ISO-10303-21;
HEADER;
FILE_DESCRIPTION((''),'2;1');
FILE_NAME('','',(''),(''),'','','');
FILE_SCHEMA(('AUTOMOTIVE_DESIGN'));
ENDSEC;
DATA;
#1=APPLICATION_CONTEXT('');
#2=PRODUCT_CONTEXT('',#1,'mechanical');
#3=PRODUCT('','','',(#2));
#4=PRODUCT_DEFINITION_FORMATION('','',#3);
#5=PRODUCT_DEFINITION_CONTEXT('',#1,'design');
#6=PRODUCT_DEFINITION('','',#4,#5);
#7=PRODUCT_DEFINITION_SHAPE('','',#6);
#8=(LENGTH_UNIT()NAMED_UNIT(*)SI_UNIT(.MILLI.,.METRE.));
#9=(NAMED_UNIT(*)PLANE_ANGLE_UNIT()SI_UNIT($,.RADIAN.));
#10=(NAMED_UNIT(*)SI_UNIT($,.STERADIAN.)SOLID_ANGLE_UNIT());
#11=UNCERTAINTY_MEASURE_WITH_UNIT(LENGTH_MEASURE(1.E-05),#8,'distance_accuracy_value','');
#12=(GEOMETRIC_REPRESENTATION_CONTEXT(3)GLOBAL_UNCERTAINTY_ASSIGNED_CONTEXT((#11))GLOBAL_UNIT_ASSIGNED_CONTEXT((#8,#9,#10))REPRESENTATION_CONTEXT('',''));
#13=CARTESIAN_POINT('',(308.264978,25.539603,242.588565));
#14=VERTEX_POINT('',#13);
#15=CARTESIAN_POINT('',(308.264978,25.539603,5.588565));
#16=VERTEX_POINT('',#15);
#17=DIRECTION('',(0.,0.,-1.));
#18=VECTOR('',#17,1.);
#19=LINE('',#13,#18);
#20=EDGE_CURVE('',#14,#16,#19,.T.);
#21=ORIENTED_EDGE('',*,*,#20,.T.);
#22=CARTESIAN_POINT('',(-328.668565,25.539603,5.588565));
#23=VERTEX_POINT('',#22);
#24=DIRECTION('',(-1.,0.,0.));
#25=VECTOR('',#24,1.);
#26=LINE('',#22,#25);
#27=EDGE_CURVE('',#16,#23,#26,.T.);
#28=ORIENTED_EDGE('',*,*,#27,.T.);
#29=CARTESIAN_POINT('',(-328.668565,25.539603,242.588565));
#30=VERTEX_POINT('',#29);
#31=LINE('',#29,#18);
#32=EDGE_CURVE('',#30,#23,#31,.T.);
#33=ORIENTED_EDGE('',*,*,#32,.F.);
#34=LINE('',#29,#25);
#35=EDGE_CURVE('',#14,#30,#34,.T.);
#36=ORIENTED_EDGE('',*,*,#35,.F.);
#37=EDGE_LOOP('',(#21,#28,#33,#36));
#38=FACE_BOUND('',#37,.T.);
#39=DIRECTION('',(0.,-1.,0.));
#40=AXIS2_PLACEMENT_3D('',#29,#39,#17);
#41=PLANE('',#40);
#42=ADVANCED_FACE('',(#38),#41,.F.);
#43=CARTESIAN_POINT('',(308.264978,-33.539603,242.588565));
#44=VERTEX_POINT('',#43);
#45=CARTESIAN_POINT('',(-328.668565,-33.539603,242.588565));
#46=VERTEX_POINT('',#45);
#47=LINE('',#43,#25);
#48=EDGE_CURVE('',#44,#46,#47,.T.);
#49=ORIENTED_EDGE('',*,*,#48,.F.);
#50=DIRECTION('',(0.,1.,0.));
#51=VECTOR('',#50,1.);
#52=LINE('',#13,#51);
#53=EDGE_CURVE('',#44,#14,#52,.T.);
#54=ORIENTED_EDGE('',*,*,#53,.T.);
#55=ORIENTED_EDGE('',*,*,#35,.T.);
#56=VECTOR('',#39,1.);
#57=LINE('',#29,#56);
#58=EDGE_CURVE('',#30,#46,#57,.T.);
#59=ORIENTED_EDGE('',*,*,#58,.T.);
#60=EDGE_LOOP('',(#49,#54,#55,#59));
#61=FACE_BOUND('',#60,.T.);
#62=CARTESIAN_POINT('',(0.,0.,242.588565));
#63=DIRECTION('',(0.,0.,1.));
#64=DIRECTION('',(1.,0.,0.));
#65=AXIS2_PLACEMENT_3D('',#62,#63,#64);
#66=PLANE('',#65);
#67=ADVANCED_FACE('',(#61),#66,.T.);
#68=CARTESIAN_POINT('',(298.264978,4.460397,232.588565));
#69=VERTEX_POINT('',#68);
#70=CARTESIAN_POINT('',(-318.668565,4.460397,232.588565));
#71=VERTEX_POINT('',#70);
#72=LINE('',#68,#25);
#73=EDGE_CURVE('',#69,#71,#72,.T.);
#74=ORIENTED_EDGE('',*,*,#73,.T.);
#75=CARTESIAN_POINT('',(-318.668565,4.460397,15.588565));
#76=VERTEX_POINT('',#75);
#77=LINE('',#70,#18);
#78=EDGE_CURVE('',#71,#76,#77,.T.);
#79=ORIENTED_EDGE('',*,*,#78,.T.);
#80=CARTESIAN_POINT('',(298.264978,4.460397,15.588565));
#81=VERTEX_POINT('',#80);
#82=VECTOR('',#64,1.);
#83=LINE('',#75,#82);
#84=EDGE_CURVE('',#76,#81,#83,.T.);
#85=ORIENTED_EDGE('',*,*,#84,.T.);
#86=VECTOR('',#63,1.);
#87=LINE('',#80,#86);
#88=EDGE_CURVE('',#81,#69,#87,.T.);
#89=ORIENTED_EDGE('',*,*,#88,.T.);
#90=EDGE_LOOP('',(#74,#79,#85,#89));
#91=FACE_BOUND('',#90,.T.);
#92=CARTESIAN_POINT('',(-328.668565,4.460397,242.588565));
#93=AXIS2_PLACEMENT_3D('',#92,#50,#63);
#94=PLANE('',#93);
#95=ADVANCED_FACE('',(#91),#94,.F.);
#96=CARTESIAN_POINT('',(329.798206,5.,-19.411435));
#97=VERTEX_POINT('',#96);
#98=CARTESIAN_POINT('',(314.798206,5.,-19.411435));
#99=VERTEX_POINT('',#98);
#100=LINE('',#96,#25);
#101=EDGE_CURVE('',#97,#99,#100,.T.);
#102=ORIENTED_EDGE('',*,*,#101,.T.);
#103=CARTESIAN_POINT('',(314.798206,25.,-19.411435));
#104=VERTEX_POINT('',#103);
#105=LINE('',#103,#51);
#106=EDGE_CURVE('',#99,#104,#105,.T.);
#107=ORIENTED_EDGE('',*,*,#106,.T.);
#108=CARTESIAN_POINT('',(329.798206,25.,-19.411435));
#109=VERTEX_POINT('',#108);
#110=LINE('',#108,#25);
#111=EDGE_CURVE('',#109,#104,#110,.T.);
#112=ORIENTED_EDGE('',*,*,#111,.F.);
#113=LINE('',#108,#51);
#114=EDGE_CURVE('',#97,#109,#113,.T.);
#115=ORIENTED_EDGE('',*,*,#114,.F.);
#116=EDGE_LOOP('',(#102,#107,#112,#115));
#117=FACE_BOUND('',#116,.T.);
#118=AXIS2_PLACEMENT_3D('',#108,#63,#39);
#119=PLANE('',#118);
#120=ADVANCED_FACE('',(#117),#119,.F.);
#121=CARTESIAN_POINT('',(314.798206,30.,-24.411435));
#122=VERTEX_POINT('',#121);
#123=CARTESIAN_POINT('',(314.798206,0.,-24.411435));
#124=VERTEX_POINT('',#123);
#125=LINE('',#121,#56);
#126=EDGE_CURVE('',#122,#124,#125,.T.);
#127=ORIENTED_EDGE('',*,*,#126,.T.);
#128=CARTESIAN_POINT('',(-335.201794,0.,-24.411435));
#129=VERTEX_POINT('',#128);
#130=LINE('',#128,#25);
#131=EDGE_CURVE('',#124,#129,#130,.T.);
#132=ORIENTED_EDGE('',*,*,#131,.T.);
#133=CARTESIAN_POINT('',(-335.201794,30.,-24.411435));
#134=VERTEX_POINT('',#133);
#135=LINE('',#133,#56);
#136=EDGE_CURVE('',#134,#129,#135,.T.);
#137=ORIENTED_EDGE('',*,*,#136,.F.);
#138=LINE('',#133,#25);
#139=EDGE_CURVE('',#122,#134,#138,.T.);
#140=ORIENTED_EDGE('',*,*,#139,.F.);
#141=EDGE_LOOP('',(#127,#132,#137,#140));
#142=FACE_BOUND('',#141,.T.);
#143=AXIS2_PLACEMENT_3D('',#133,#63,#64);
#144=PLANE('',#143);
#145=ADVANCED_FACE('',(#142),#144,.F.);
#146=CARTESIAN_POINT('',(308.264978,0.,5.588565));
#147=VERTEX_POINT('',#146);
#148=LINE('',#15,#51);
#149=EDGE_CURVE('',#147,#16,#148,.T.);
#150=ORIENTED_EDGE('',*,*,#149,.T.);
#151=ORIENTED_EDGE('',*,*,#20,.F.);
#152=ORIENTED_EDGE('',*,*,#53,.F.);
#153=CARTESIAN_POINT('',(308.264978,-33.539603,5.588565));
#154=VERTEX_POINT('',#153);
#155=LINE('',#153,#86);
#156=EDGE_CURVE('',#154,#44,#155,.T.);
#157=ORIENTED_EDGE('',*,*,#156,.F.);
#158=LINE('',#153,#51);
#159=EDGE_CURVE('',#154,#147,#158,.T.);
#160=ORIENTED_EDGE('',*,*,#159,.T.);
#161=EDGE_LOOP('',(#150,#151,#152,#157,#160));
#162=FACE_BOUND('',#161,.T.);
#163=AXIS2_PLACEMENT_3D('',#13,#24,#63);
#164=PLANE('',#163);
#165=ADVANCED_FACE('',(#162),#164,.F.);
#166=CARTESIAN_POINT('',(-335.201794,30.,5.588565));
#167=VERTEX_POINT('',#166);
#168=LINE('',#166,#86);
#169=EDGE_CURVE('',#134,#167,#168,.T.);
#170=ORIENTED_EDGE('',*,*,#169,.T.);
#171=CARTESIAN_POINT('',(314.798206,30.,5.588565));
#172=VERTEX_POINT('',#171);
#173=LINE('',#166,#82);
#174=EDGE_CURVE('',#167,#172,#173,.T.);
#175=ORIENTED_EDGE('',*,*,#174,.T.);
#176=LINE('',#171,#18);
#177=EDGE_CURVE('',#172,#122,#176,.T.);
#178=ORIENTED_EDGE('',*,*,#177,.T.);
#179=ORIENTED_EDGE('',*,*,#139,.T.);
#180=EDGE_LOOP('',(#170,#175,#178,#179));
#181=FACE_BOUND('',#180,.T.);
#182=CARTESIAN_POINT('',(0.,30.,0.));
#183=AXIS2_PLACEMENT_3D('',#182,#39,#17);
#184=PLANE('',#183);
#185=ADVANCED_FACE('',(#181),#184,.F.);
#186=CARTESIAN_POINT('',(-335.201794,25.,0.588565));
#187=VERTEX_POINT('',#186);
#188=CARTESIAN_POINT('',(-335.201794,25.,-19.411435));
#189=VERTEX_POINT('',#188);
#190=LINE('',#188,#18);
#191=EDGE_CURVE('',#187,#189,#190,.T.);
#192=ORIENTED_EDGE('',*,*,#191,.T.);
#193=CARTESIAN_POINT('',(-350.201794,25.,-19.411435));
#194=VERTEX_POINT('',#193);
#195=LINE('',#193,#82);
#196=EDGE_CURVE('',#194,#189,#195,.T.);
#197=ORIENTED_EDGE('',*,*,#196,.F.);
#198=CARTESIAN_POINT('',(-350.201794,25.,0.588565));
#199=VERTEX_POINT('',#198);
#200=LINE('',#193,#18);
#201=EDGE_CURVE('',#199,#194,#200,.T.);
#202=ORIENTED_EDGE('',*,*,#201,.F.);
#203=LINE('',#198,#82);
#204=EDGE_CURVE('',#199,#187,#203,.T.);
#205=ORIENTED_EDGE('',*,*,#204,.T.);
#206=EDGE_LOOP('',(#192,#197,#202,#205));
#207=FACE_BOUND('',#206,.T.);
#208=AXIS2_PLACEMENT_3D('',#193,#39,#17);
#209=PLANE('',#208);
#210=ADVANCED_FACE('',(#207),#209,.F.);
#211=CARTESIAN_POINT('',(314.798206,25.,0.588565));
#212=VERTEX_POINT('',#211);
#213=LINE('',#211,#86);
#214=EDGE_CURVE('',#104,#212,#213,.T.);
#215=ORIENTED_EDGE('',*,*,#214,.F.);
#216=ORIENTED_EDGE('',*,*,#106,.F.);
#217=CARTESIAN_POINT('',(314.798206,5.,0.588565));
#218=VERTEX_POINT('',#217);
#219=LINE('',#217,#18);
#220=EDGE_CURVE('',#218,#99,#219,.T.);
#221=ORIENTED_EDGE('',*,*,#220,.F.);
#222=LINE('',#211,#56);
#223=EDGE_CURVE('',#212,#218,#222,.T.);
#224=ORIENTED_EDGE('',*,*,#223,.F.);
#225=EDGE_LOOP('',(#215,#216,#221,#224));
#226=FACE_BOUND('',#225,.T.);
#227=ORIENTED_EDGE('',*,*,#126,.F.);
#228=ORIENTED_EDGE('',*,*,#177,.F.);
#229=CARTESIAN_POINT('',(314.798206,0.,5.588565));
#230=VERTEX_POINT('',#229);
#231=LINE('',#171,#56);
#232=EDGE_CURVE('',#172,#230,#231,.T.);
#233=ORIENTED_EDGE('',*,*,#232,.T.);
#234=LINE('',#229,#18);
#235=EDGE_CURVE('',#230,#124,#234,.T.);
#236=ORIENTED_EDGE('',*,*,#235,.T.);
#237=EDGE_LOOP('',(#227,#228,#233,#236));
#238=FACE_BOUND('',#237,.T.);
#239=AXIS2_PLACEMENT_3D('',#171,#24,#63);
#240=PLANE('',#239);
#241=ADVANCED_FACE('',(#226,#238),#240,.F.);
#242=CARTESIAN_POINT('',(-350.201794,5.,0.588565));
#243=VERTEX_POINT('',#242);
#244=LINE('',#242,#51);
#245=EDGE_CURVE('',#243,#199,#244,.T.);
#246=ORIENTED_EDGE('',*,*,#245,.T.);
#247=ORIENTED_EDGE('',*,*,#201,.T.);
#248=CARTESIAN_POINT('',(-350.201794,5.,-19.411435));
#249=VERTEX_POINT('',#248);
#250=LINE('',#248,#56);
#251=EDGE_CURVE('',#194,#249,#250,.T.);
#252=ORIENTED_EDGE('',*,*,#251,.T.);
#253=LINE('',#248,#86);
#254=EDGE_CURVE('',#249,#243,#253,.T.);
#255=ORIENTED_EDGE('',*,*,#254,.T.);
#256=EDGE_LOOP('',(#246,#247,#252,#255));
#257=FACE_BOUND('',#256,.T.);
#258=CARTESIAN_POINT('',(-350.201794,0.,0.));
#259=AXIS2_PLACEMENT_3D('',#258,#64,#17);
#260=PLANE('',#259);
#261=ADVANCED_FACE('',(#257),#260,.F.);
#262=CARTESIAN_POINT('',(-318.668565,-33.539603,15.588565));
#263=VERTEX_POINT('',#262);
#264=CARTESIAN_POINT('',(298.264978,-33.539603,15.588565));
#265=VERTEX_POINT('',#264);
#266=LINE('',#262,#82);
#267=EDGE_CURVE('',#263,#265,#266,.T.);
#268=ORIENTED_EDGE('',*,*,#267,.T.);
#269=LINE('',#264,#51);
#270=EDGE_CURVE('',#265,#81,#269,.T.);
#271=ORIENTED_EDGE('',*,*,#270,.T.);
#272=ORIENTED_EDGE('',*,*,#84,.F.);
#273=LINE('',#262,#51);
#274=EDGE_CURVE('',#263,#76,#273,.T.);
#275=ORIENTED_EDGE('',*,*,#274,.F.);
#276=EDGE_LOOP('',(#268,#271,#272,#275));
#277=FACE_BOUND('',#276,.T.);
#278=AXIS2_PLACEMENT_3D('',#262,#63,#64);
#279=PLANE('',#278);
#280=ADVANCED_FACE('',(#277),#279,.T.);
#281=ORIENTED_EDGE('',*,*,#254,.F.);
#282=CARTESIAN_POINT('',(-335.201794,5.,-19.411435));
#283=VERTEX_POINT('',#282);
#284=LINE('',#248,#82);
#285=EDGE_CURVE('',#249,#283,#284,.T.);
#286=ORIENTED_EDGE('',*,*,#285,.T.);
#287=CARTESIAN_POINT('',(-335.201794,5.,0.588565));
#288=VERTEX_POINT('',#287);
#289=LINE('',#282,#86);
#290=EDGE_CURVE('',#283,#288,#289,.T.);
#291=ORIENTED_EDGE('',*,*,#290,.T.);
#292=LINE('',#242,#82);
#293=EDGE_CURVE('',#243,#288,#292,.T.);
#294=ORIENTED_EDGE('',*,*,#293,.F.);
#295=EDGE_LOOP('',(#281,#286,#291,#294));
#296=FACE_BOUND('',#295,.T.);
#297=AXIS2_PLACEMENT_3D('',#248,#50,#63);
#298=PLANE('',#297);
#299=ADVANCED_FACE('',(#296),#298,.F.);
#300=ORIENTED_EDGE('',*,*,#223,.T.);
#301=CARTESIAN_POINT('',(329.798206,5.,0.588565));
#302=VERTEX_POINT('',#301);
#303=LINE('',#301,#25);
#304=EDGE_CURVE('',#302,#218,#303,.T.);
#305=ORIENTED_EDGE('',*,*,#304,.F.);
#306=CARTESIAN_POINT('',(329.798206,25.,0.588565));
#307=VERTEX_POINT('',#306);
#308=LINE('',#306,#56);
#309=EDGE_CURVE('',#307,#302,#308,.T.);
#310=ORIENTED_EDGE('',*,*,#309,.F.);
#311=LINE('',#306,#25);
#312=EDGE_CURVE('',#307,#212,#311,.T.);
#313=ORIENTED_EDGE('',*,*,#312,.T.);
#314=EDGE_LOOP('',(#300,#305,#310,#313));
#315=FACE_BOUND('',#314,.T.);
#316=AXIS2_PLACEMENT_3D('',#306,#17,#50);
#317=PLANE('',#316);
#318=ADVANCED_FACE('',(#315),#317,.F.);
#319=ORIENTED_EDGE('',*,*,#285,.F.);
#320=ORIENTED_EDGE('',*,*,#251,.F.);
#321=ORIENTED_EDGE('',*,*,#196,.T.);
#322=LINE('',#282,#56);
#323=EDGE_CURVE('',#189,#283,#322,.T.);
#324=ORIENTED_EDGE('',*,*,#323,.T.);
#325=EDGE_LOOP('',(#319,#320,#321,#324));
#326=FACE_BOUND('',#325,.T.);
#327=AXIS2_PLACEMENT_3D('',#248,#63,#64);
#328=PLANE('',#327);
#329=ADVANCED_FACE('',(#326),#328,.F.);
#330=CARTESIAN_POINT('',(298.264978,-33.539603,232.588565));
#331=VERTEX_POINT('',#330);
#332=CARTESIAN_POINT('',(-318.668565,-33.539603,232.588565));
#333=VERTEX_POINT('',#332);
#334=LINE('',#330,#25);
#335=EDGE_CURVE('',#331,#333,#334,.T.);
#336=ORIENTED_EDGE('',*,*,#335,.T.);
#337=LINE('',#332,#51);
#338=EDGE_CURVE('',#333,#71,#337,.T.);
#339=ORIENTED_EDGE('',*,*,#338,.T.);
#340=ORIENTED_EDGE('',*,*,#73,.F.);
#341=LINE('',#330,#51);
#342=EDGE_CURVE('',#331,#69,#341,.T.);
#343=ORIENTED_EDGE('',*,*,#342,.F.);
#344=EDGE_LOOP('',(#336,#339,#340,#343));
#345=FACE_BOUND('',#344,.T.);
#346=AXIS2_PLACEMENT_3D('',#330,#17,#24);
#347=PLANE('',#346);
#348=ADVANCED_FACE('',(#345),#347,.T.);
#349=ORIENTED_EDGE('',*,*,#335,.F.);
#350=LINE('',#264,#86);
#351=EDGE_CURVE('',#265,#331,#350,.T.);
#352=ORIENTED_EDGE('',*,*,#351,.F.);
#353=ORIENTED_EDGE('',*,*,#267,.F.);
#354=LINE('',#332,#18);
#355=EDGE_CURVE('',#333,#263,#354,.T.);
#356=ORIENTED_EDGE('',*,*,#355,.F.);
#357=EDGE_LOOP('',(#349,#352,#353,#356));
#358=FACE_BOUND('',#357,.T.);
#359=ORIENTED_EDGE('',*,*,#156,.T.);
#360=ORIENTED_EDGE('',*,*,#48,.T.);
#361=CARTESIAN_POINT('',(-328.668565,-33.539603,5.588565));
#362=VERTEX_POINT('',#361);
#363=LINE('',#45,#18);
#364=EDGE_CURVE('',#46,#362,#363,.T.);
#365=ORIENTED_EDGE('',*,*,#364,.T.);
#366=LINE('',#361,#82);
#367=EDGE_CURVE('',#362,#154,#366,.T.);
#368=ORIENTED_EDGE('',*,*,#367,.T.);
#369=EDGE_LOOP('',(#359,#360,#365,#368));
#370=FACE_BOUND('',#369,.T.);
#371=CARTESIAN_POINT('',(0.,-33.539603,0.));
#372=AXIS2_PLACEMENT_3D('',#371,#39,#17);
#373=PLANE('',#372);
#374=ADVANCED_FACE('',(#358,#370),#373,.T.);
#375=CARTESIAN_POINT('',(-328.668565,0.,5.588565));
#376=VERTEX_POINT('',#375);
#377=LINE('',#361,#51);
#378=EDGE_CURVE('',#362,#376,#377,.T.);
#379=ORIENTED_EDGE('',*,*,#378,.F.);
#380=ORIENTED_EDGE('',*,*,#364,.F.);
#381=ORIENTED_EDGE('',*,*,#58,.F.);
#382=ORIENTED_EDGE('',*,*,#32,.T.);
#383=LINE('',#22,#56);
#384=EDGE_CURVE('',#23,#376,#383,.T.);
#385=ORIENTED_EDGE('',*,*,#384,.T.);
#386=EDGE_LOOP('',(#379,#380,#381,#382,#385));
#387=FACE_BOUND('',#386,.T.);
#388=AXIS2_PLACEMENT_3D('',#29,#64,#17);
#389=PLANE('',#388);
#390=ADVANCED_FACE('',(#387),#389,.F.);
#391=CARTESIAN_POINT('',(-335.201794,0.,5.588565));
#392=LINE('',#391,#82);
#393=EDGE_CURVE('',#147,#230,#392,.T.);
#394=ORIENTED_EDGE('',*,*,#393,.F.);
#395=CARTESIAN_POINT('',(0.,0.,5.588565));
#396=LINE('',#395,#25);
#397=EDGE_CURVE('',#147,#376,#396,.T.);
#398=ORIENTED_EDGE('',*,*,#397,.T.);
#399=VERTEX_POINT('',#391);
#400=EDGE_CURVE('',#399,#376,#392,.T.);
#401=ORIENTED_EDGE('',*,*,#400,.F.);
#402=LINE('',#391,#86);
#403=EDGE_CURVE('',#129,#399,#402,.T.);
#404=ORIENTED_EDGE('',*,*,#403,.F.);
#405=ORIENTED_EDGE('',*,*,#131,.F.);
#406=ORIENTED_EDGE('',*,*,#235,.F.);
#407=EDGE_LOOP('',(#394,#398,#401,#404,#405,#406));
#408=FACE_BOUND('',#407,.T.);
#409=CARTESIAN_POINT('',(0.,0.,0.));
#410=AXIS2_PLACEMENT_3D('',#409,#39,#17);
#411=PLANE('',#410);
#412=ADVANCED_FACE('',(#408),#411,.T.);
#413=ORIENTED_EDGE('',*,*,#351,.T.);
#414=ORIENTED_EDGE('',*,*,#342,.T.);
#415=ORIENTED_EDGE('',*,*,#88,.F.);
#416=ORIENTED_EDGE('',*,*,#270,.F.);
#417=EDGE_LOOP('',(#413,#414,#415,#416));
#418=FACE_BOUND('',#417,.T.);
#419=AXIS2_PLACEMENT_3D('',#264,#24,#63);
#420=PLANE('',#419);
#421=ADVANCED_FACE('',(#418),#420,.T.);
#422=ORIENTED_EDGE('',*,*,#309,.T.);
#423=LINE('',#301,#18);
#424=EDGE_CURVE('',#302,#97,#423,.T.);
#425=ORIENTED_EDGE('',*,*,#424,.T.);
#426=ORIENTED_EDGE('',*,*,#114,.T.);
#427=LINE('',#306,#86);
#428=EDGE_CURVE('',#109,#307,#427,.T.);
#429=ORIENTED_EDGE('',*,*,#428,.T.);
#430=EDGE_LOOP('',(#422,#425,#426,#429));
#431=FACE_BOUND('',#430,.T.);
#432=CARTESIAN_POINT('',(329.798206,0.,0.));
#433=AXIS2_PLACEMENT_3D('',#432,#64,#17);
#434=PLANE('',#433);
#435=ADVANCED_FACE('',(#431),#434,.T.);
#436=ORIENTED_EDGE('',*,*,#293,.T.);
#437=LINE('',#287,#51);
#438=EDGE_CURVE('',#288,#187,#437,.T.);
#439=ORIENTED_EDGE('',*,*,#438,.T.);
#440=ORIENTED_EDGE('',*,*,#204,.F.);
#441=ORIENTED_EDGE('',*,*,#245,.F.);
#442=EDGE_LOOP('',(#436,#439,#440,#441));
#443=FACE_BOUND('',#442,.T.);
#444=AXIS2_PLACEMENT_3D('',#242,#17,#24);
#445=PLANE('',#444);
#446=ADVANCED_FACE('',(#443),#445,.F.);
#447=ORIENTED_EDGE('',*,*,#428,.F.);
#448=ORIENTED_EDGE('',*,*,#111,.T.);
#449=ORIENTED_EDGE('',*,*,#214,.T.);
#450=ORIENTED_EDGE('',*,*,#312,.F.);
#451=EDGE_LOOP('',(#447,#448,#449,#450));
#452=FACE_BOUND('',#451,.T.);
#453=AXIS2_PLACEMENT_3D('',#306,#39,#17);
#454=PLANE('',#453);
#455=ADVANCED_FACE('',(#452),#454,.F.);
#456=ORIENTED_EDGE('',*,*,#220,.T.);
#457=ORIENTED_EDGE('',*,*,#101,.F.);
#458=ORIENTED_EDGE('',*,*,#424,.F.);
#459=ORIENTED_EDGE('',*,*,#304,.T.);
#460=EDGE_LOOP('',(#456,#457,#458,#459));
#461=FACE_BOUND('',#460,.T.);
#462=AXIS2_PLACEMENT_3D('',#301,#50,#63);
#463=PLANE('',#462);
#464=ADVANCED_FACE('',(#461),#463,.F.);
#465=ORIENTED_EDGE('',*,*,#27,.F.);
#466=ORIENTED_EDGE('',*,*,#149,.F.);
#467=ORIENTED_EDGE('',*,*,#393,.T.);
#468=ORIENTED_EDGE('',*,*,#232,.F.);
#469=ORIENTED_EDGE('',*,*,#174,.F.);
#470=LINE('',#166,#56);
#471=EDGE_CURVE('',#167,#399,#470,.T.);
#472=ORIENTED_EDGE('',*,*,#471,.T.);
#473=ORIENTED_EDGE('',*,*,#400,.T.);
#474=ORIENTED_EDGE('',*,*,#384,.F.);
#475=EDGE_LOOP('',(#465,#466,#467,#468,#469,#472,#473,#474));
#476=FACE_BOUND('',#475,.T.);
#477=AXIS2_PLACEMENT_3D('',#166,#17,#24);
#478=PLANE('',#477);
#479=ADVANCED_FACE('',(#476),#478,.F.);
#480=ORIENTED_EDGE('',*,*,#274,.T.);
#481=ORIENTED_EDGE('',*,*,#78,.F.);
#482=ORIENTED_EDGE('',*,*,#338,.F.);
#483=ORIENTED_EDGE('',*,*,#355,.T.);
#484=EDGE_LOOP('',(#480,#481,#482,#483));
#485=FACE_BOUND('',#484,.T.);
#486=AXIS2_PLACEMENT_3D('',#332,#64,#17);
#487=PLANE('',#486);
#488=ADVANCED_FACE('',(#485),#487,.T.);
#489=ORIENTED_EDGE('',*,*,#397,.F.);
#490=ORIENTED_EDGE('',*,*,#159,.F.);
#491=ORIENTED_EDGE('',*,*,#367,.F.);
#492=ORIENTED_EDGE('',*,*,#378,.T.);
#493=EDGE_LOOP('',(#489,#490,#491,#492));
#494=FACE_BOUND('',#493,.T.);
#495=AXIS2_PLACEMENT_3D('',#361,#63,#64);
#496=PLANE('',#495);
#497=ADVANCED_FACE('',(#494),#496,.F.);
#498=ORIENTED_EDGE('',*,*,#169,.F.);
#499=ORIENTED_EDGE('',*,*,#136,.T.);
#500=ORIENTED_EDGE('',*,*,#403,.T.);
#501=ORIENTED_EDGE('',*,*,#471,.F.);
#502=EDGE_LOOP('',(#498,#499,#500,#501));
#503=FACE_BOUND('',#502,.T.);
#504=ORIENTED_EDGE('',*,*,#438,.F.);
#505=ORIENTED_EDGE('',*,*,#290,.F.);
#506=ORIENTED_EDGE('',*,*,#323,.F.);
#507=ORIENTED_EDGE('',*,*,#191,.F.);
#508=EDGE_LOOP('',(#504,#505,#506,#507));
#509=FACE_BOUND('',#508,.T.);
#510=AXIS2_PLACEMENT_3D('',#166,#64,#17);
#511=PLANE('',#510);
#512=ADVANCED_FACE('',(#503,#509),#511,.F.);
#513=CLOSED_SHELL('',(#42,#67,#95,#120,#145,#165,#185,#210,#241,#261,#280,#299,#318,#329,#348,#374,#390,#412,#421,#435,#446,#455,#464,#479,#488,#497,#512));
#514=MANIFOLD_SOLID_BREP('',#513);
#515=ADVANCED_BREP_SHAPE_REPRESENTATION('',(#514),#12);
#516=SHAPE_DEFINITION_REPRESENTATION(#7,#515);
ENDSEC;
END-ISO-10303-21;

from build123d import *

# Parameters (mm, degrees)
SKETCH1_W           = 650
SKETCH1_H           = 30
BOSS_EXTRUDE1_DEPTH = 30
SKETCH2_W           = 20
SKETCH2_H           = 20
BOSS_EXTRUDE2_DEPTH = 15
SKETCH3_W           = 20
SKETCH3_H           = 20
BOSS_EXTRUDE3_DEPTH = 15
SKETCH4_W           = 636.933542964
SKETCH4_H           = 21.079205472
BOSS_EXTRUDE4_DEPTH = 237
SKETCH6_W           = 636.933542964
SKETCH6_H           = 237
SKETCH6_W_2         = 616.933542964
SKETCH6_H_2         = 217
BOSS_EXTRUDE5_DEPTH = 38


with BuildPart() as part:
    # Sketch1 → Boss-Extrude1 (new body)
    with BuildSketch(Plane(origin=(0, 0, 0), x_dir=(1, 0, 0), z_dir=(0, 1, 0))):
        with Locations((-10.201793722, 9.411434978)):
            Rectangle(SKETCH1_W, SKETCH1_H)
    extrude(amount=BOSS_EXTRUDE1_DEPTH)

    # Sketch2 → Boss-Extrude2 (add)
    with BuildSketch(Plane(origin=(314.798206278, 0, 0), x_dir=(0, 0, -1), z_dir=(1, 0, 0))):
        with Locations((9.411434978, 15)):
            Rectangle(SKETCH2_W, SKETCH2_H)
    extrude(amount=BOSS_EXTRUDE2_DEPTH)

    # Sketch3 → Boss-Extrude3 (add)
    with BuildSketch(Plane.ZY.offset(335.201793722)):
        with Locations((-9.411434978, 15)):
            Rectangle(SKETCH3_W, SKETCH3_H)
    extrude(amount=BOSS_EXTRUDE3_DEPTH)

    # Sketch4 → Boss-Extrude4 (add)
    with BuildSketch(Plane.XY.offset(5.588565022)):
        with Locations((-10.201793722, 15)):
            Rectangle(SKETCH4_W, SKETCH4_H)
    extrude(amount=BOSS_EXTRUDE4_DEPTH)

    # Sketch6 → Boss-Extrude5 (add)
    with BuildSketch(Plane.XZ.offset(-4.460397264)):
        with Locations((-10.201793722, 124.088565022)):
            Rectangle(SKETCH6_W, SKETCH6_H)
        with Locations((-10.201793722, 124.088565022)):
            Rectangle(SKETCH6_W_2, SKETCH6_H_2, mode=Mode.SUBTRACT)
    extrude(amount=BOSS_EXTRUDE5_DEPTH)


solid = part.part
